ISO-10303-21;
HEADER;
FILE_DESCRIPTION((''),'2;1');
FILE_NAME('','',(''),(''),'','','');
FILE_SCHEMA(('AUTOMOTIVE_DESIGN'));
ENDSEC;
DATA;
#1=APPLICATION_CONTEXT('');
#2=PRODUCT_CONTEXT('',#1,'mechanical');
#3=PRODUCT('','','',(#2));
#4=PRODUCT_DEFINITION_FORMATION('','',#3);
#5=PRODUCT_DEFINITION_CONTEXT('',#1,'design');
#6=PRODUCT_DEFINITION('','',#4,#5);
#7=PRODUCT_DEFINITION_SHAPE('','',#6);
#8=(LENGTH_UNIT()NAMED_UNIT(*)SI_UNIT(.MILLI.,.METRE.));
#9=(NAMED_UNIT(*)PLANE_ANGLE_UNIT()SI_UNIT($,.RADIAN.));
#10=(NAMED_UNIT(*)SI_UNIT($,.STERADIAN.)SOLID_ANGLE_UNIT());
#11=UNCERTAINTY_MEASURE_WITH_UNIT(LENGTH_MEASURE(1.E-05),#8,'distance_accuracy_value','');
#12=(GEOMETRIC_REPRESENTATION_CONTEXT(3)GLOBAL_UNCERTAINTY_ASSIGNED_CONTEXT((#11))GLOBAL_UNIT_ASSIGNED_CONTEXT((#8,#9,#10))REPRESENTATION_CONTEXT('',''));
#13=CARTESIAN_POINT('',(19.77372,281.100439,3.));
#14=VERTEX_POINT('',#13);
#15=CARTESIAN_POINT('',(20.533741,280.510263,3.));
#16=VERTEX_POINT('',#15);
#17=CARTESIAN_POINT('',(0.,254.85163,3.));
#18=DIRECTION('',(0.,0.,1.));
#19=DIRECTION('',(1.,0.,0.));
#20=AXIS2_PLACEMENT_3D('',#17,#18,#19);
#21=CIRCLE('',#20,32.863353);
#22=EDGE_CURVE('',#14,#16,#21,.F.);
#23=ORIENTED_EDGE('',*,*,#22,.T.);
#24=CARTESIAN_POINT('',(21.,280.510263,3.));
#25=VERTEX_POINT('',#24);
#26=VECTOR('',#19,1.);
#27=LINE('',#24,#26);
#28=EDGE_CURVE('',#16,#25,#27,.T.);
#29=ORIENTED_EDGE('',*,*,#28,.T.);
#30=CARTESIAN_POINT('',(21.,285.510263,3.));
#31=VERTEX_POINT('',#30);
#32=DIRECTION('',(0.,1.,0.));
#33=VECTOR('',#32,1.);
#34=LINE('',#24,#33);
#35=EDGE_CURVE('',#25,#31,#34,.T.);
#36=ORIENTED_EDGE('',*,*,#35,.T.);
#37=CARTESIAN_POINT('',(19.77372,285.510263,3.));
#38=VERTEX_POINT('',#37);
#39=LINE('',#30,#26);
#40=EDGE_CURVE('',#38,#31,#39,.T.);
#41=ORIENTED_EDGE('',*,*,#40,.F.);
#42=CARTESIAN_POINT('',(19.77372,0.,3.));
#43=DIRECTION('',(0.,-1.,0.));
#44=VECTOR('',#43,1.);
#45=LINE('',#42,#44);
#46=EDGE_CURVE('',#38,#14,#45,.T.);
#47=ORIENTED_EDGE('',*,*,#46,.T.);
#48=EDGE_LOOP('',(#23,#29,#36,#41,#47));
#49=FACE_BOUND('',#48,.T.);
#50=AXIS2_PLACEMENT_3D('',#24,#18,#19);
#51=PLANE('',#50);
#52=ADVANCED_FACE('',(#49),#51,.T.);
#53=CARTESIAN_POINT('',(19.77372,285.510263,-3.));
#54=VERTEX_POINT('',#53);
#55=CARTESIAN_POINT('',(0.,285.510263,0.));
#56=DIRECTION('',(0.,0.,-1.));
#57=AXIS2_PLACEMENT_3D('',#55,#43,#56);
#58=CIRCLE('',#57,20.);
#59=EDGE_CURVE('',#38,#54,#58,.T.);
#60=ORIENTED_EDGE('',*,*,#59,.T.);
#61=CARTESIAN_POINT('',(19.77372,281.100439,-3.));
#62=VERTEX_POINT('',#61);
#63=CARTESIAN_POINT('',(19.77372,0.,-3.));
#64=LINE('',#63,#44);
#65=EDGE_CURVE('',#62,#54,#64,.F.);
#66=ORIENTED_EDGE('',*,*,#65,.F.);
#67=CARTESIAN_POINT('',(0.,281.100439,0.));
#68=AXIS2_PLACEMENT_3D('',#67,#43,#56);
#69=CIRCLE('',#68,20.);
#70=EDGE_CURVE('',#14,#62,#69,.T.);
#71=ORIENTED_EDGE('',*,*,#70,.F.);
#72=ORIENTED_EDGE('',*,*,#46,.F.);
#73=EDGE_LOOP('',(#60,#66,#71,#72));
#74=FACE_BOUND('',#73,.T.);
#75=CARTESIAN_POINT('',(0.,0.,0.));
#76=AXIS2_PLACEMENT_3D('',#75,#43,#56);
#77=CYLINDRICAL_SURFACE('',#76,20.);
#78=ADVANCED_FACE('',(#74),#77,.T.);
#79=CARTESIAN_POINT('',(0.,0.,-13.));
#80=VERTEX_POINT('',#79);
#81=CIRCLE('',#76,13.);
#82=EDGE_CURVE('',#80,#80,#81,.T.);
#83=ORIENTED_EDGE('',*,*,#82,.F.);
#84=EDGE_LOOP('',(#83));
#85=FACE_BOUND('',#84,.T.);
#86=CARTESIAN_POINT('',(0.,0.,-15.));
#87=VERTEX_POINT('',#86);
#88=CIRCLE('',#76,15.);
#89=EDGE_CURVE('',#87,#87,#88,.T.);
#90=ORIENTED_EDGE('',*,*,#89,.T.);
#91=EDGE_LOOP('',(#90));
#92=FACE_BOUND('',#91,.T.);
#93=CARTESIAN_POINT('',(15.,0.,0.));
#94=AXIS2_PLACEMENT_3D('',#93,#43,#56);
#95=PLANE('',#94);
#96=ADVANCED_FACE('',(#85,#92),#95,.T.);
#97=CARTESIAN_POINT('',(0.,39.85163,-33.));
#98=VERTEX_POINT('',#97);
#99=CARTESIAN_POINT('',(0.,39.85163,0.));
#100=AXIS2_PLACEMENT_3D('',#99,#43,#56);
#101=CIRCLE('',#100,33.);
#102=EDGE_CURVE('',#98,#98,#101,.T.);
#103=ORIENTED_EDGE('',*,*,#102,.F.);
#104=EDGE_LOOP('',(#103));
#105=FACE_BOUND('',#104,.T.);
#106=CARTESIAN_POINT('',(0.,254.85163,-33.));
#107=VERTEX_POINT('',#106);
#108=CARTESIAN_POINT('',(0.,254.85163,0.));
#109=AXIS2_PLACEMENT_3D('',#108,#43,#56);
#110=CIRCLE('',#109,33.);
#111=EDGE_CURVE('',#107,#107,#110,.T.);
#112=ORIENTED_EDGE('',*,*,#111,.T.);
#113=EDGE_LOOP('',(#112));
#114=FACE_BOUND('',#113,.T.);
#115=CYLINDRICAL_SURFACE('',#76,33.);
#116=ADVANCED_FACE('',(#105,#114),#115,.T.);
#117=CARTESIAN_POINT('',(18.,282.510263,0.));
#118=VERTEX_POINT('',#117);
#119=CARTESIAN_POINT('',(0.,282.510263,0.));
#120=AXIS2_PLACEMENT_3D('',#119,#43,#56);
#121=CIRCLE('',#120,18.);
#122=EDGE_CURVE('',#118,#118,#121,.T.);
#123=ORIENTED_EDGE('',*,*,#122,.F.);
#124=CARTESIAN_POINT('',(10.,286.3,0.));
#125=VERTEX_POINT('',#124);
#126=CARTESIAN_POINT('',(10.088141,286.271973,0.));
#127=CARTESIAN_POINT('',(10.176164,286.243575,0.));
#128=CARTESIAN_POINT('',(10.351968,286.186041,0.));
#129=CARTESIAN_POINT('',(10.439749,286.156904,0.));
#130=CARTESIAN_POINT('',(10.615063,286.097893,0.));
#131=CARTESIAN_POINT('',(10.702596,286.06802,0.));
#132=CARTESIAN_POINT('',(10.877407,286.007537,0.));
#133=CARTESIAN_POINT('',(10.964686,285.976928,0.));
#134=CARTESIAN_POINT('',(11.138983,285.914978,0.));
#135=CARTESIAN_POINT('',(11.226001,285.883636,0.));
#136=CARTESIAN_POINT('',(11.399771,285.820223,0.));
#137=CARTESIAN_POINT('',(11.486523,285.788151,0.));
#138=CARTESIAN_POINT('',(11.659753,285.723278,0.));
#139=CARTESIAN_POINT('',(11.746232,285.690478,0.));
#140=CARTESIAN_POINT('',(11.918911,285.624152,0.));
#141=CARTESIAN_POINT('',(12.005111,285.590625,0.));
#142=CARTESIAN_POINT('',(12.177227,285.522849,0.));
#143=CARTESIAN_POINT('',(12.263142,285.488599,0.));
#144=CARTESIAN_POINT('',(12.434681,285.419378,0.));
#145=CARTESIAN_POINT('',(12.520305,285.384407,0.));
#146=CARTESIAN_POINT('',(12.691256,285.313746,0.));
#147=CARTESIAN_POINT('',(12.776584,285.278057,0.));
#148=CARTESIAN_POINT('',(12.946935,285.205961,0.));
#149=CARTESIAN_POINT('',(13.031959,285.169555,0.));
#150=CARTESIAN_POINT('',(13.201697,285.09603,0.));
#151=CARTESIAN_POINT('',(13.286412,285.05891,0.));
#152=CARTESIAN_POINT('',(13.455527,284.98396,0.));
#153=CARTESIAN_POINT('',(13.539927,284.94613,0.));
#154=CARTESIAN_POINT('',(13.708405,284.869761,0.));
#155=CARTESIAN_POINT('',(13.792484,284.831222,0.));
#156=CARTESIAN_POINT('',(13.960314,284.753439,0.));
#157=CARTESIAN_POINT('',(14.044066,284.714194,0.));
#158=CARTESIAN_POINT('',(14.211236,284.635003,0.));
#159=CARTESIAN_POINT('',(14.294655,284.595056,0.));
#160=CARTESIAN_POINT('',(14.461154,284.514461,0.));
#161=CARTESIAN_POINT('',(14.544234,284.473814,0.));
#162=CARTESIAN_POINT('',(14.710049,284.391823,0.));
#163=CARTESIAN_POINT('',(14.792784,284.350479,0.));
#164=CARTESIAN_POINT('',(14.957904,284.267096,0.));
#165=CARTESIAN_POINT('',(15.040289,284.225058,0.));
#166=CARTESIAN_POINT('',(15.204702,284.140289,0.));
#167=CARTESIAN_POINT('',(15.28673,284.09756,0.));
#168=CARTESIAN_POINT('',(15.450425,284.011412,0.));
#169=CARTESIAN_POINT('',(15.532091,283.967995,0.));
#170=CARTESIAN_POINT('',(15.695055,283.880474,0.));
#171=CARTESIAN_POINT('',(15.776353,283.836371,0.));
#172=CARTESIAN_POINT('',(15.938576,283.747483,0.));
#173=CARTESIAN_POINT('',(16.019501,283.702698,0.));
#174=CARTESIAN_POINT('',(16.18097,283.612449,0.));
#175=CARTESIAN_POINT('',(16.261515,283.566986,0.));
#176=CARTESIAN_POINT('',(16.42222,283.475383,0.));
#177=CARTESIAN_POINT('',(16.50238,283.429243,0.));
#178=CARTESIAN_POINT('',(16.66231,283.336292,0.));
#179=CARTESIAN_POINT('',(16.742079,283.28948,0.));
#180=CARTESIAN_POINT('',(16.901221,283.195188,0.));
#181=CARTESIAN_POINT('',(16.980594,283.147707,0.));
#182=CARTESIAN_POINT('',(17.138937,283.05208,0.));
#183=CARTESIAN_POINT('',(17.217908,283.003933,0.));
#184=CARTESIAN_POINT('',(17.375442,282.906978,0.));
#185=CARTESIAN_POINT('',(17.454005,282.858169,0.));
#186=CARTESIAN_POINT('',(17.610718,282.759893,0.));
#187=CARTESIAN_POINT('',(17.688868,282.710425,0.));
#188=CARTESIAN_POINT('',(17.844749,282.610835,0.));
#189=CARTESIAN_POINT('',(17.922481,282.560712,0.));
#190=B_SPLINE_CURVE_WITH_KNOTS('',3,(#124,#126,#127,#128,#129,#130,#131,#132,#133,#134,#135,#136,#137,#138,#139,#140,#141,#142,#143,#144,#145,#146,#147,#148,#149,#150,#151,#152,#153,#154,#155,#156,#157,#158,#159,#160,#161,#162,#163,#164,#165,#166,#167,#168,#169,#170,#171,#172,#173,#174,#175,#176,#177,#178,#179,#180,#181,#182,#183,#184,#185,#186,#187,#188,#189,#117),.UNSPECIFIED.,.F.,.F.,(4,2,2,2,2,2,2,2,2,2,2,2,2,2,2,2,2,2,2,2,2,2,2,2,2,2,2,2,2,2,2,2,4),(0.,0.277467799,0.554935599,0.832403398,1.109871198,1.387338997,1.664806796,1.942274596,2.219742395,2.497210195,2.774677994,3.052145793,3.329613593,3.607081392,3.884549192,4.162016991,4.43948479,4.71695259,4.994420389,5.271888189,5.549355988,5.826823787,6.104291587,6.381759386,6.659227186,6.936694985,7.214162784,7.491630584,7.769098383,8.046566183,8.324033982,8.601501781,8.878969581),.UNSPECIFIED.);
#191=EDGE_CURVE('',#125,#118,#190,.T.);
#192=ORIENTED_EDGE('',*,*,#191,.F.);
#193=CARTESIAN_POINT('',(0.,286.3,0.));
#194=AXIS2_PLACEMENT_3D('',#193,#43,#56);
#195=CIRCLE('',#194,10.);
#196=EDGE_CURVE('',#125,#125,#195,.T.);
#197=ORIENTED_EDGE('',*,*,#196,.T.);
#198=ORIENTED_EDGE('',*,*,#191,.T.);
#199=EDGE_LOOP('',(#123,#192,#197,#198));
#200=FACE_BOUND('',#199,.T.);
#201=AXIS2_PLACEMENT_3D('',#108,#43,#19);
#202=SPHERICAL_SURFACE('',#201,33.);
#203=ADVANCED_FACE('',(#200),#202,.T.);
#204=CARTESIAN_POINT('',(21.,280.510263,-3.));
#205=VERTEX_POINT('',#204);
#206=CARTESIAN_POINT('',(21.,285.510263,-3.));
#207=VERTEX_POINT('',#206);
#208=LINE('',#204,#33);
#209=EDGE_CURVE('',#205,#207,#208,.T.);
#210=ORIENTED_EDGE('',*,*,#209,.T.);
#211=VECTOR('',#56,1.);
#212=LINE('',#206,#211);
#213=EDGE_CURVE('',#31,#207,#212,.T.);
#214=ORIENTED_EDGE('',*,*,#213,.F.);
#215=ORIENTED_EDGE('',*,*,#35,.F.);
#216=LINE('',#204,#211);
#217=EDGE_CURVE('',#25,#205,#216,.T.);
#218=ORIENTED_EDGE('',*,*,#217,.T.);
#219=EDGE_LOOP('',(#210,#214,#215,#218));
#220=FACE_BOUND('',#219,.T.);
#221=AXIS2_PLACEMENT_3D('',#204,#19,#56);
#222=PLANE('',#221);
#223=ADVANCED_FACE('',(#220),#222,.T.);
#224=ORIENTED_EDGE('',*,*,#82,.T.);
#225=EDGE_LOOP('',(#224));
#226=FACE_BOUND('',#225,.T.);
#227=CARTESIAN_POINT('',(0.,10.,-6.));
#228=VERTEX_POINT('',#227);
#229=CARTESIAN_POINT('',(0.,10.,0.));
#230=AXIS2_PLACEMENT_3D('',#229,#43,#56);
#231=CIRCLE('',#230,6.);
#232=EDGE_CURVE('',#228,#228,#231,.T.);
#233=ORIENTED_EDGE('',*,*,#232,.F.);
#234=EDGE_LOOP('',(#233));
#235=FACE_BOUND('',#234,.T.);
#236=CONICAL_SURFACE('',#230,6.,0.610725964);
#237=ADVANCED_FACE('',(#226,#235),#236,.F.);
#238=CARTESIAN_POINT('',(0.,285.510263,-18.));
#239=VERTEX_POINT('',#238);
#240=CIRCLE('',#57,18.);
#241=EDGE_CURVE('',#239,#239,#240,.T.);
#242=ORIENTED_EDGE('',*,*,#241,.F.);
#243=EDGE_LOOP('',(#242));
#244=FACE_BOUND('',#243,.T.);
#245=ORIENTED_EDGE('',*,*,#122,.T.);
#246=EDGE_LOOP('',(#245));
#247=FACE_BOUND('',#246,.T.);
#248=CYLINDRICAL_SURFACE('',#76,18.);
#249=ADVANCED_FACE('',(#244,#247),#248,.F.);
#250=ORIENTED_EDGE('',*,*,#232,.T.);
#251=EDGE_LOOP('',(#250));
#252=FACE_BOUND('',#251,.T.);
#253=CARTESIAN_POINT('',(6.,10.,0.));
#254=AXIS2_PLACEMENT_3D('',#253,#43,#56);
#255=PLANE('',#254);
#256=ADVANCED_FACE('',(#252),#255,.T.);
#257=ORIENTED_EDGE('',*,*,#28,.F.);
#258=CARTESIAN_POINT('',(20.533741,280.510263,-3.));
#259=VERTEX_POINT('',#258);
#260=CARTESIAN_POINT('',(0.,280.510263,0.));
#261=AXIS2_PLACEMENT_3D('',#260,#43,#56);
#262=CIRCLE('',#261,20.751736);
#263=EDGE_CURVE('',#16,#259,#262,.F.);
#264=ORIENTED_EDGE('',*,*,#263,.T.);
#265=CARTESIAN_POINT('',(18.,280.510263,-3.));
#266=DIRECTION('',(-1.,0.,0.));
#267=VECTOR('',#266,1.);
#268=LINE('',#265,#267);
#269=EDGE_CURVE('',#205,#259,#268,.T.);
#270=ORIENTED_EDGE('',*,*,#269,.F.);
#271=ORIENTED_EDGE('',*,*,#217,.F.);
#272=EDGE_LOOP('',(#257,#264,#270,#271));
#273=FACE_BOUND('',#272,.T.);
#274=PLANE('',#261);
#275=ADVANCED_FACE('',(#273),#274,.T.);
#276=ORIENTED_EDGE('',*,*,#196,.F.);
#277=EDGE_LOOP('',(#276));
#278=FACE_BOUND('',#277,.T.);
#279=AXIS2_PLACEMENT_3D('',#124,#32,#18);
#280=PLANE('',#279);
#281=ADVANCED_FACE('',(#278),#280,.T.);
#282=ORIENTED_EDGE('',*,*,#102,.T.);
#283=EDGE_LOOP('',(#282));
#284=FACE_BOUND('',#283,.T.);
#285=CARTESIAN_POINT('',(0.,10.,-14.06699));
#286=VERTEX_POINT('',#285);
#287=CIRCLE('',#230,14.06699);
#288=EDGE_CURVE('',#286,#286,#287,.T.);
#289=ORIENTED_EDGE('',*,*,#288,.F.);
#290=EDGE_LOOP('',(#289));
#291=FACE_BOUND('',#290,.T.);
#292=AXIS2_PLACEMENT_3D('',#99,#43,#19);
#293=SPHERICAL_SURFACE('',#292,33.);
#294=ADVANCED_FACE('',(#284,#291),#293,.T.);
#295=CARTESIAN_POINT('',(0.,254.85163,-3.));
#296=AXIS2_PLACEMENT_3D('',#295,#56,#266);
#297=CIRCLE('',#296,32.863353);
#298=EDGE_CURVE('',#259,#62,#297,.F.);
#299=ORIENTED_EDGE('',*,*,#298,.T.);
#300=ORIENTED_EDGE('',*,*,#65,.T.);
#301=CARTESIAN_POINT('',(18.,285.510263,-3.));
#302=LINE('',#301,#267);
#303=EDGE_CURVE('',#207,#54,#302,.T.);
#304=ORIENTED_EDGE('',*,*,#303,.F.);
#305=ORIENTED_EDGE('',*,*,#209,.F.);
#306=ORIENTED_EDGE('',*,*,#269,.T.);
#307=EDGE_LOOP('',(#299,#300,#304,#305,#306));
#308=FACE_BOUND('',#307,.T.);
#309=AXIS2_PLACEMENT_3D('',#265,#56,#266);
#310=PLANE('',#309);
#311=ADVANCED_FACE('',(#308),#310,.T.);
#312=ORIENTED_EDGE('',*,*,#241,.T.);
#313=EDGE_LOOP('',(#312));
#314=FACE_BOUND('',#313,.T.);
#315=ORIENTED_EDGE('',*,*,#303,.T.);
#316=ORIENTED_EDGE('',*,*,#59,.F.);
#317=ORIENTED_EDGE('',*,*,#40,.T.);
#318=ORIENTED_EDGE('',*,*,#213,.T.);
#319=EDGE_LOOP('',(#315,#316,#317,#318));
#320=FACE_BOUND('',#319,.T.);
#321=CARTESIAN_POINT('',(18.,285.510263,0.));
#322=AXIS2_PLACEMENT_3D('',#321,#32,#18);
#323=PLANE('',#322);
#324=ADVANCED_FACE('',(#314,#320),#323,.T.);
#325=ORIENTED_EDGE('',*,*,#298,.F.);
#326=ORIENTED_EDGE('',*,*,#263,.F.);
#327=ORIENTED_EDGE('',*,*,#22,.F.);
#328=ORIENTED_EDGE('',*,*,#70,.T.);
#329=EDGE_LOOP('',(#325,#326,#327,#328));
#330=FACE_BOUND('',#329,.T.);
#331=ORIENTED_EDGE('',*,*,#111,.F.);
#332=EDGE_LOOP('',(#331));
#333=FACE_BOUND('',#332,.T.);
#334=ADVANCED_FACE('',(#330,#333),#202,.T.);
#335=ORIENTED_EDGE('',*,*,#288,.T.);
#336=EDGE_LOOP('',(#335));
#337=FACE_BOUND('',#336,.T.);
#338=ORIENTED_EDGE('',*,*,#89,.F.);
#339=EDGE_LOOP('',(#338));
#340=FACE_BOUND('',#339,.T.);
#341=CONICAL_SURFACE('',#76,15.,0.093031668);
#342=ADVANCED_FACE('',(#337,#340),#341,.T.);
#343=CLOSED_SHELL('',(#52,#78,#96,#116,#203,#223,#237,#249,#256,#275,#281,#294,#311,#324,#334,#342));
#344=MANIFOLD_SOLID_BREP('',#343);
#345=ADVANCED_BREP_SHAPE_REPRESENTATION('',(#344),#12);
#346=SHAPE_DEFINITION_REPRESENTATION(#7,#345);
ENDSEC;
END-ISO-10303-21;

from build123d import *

# Parameters (mm, degrees)
SKETCH_2_W        = 3
SKETCH_2_H        = 6
EXTRUDE_660_DEPTH = 5


with BuildPart() as part:
    # Sketch 202 → Revolve 495 (revolve)
    with BuildSketch(Plane.XY, mode=Mode.PRIVATE) as revolve_495_sk:
        with BuildLine():
            Line((15, 0), (13, 0))
            Line((13, 0), (6, 10))
            Line((6, 10), (0, 10))
            Line((0, 10), (0, 286.3))
            Line((0, 286.3), (10, 286.3))
            ThreePointArc((10, 286.3), (14.127651137, 284.674598502), (18, 282.510262985))
            Line((18, 282.510262985), (18, 285.510262985))
            Line((18, 285.510262985), (20, 285.510262985))
            Line((20, 285.510262985), (20, 281.10043911))
            ThreePointArc((20, 281.10043911), (29.571946165, 269.497448129), (33, 254.851629613))
            Line((33, 254.851629613), (33, 39.851629613))
            ThreePointArc((33, 39.851629613), (27.867639585, 22.176939688), (14.066990064, 10))
            Line((14.066990064, 10), (15, 0))
        make_face()
    revolve(revolve_495_sk.sketch.rotate(Axis((0, 0, 0), (0, 1, 0)), 90), axis=Axis((0, 0, 0), (0, 1, 0)))

    # Эскиз2 → Extrude 660 (add)
    with BuildSketch(Plane(origin=(0, 285.510262985, 0), x_dir=(1, 0, 0), z_dir=(0, 1, 0))):
        with Locations((19.5, 0)):
            Rectangle(SKETCH_2_W, SKETCH_2_H)
    extrude(amount=-EXTRUDE_660_DEPTH)


solid = part.part
